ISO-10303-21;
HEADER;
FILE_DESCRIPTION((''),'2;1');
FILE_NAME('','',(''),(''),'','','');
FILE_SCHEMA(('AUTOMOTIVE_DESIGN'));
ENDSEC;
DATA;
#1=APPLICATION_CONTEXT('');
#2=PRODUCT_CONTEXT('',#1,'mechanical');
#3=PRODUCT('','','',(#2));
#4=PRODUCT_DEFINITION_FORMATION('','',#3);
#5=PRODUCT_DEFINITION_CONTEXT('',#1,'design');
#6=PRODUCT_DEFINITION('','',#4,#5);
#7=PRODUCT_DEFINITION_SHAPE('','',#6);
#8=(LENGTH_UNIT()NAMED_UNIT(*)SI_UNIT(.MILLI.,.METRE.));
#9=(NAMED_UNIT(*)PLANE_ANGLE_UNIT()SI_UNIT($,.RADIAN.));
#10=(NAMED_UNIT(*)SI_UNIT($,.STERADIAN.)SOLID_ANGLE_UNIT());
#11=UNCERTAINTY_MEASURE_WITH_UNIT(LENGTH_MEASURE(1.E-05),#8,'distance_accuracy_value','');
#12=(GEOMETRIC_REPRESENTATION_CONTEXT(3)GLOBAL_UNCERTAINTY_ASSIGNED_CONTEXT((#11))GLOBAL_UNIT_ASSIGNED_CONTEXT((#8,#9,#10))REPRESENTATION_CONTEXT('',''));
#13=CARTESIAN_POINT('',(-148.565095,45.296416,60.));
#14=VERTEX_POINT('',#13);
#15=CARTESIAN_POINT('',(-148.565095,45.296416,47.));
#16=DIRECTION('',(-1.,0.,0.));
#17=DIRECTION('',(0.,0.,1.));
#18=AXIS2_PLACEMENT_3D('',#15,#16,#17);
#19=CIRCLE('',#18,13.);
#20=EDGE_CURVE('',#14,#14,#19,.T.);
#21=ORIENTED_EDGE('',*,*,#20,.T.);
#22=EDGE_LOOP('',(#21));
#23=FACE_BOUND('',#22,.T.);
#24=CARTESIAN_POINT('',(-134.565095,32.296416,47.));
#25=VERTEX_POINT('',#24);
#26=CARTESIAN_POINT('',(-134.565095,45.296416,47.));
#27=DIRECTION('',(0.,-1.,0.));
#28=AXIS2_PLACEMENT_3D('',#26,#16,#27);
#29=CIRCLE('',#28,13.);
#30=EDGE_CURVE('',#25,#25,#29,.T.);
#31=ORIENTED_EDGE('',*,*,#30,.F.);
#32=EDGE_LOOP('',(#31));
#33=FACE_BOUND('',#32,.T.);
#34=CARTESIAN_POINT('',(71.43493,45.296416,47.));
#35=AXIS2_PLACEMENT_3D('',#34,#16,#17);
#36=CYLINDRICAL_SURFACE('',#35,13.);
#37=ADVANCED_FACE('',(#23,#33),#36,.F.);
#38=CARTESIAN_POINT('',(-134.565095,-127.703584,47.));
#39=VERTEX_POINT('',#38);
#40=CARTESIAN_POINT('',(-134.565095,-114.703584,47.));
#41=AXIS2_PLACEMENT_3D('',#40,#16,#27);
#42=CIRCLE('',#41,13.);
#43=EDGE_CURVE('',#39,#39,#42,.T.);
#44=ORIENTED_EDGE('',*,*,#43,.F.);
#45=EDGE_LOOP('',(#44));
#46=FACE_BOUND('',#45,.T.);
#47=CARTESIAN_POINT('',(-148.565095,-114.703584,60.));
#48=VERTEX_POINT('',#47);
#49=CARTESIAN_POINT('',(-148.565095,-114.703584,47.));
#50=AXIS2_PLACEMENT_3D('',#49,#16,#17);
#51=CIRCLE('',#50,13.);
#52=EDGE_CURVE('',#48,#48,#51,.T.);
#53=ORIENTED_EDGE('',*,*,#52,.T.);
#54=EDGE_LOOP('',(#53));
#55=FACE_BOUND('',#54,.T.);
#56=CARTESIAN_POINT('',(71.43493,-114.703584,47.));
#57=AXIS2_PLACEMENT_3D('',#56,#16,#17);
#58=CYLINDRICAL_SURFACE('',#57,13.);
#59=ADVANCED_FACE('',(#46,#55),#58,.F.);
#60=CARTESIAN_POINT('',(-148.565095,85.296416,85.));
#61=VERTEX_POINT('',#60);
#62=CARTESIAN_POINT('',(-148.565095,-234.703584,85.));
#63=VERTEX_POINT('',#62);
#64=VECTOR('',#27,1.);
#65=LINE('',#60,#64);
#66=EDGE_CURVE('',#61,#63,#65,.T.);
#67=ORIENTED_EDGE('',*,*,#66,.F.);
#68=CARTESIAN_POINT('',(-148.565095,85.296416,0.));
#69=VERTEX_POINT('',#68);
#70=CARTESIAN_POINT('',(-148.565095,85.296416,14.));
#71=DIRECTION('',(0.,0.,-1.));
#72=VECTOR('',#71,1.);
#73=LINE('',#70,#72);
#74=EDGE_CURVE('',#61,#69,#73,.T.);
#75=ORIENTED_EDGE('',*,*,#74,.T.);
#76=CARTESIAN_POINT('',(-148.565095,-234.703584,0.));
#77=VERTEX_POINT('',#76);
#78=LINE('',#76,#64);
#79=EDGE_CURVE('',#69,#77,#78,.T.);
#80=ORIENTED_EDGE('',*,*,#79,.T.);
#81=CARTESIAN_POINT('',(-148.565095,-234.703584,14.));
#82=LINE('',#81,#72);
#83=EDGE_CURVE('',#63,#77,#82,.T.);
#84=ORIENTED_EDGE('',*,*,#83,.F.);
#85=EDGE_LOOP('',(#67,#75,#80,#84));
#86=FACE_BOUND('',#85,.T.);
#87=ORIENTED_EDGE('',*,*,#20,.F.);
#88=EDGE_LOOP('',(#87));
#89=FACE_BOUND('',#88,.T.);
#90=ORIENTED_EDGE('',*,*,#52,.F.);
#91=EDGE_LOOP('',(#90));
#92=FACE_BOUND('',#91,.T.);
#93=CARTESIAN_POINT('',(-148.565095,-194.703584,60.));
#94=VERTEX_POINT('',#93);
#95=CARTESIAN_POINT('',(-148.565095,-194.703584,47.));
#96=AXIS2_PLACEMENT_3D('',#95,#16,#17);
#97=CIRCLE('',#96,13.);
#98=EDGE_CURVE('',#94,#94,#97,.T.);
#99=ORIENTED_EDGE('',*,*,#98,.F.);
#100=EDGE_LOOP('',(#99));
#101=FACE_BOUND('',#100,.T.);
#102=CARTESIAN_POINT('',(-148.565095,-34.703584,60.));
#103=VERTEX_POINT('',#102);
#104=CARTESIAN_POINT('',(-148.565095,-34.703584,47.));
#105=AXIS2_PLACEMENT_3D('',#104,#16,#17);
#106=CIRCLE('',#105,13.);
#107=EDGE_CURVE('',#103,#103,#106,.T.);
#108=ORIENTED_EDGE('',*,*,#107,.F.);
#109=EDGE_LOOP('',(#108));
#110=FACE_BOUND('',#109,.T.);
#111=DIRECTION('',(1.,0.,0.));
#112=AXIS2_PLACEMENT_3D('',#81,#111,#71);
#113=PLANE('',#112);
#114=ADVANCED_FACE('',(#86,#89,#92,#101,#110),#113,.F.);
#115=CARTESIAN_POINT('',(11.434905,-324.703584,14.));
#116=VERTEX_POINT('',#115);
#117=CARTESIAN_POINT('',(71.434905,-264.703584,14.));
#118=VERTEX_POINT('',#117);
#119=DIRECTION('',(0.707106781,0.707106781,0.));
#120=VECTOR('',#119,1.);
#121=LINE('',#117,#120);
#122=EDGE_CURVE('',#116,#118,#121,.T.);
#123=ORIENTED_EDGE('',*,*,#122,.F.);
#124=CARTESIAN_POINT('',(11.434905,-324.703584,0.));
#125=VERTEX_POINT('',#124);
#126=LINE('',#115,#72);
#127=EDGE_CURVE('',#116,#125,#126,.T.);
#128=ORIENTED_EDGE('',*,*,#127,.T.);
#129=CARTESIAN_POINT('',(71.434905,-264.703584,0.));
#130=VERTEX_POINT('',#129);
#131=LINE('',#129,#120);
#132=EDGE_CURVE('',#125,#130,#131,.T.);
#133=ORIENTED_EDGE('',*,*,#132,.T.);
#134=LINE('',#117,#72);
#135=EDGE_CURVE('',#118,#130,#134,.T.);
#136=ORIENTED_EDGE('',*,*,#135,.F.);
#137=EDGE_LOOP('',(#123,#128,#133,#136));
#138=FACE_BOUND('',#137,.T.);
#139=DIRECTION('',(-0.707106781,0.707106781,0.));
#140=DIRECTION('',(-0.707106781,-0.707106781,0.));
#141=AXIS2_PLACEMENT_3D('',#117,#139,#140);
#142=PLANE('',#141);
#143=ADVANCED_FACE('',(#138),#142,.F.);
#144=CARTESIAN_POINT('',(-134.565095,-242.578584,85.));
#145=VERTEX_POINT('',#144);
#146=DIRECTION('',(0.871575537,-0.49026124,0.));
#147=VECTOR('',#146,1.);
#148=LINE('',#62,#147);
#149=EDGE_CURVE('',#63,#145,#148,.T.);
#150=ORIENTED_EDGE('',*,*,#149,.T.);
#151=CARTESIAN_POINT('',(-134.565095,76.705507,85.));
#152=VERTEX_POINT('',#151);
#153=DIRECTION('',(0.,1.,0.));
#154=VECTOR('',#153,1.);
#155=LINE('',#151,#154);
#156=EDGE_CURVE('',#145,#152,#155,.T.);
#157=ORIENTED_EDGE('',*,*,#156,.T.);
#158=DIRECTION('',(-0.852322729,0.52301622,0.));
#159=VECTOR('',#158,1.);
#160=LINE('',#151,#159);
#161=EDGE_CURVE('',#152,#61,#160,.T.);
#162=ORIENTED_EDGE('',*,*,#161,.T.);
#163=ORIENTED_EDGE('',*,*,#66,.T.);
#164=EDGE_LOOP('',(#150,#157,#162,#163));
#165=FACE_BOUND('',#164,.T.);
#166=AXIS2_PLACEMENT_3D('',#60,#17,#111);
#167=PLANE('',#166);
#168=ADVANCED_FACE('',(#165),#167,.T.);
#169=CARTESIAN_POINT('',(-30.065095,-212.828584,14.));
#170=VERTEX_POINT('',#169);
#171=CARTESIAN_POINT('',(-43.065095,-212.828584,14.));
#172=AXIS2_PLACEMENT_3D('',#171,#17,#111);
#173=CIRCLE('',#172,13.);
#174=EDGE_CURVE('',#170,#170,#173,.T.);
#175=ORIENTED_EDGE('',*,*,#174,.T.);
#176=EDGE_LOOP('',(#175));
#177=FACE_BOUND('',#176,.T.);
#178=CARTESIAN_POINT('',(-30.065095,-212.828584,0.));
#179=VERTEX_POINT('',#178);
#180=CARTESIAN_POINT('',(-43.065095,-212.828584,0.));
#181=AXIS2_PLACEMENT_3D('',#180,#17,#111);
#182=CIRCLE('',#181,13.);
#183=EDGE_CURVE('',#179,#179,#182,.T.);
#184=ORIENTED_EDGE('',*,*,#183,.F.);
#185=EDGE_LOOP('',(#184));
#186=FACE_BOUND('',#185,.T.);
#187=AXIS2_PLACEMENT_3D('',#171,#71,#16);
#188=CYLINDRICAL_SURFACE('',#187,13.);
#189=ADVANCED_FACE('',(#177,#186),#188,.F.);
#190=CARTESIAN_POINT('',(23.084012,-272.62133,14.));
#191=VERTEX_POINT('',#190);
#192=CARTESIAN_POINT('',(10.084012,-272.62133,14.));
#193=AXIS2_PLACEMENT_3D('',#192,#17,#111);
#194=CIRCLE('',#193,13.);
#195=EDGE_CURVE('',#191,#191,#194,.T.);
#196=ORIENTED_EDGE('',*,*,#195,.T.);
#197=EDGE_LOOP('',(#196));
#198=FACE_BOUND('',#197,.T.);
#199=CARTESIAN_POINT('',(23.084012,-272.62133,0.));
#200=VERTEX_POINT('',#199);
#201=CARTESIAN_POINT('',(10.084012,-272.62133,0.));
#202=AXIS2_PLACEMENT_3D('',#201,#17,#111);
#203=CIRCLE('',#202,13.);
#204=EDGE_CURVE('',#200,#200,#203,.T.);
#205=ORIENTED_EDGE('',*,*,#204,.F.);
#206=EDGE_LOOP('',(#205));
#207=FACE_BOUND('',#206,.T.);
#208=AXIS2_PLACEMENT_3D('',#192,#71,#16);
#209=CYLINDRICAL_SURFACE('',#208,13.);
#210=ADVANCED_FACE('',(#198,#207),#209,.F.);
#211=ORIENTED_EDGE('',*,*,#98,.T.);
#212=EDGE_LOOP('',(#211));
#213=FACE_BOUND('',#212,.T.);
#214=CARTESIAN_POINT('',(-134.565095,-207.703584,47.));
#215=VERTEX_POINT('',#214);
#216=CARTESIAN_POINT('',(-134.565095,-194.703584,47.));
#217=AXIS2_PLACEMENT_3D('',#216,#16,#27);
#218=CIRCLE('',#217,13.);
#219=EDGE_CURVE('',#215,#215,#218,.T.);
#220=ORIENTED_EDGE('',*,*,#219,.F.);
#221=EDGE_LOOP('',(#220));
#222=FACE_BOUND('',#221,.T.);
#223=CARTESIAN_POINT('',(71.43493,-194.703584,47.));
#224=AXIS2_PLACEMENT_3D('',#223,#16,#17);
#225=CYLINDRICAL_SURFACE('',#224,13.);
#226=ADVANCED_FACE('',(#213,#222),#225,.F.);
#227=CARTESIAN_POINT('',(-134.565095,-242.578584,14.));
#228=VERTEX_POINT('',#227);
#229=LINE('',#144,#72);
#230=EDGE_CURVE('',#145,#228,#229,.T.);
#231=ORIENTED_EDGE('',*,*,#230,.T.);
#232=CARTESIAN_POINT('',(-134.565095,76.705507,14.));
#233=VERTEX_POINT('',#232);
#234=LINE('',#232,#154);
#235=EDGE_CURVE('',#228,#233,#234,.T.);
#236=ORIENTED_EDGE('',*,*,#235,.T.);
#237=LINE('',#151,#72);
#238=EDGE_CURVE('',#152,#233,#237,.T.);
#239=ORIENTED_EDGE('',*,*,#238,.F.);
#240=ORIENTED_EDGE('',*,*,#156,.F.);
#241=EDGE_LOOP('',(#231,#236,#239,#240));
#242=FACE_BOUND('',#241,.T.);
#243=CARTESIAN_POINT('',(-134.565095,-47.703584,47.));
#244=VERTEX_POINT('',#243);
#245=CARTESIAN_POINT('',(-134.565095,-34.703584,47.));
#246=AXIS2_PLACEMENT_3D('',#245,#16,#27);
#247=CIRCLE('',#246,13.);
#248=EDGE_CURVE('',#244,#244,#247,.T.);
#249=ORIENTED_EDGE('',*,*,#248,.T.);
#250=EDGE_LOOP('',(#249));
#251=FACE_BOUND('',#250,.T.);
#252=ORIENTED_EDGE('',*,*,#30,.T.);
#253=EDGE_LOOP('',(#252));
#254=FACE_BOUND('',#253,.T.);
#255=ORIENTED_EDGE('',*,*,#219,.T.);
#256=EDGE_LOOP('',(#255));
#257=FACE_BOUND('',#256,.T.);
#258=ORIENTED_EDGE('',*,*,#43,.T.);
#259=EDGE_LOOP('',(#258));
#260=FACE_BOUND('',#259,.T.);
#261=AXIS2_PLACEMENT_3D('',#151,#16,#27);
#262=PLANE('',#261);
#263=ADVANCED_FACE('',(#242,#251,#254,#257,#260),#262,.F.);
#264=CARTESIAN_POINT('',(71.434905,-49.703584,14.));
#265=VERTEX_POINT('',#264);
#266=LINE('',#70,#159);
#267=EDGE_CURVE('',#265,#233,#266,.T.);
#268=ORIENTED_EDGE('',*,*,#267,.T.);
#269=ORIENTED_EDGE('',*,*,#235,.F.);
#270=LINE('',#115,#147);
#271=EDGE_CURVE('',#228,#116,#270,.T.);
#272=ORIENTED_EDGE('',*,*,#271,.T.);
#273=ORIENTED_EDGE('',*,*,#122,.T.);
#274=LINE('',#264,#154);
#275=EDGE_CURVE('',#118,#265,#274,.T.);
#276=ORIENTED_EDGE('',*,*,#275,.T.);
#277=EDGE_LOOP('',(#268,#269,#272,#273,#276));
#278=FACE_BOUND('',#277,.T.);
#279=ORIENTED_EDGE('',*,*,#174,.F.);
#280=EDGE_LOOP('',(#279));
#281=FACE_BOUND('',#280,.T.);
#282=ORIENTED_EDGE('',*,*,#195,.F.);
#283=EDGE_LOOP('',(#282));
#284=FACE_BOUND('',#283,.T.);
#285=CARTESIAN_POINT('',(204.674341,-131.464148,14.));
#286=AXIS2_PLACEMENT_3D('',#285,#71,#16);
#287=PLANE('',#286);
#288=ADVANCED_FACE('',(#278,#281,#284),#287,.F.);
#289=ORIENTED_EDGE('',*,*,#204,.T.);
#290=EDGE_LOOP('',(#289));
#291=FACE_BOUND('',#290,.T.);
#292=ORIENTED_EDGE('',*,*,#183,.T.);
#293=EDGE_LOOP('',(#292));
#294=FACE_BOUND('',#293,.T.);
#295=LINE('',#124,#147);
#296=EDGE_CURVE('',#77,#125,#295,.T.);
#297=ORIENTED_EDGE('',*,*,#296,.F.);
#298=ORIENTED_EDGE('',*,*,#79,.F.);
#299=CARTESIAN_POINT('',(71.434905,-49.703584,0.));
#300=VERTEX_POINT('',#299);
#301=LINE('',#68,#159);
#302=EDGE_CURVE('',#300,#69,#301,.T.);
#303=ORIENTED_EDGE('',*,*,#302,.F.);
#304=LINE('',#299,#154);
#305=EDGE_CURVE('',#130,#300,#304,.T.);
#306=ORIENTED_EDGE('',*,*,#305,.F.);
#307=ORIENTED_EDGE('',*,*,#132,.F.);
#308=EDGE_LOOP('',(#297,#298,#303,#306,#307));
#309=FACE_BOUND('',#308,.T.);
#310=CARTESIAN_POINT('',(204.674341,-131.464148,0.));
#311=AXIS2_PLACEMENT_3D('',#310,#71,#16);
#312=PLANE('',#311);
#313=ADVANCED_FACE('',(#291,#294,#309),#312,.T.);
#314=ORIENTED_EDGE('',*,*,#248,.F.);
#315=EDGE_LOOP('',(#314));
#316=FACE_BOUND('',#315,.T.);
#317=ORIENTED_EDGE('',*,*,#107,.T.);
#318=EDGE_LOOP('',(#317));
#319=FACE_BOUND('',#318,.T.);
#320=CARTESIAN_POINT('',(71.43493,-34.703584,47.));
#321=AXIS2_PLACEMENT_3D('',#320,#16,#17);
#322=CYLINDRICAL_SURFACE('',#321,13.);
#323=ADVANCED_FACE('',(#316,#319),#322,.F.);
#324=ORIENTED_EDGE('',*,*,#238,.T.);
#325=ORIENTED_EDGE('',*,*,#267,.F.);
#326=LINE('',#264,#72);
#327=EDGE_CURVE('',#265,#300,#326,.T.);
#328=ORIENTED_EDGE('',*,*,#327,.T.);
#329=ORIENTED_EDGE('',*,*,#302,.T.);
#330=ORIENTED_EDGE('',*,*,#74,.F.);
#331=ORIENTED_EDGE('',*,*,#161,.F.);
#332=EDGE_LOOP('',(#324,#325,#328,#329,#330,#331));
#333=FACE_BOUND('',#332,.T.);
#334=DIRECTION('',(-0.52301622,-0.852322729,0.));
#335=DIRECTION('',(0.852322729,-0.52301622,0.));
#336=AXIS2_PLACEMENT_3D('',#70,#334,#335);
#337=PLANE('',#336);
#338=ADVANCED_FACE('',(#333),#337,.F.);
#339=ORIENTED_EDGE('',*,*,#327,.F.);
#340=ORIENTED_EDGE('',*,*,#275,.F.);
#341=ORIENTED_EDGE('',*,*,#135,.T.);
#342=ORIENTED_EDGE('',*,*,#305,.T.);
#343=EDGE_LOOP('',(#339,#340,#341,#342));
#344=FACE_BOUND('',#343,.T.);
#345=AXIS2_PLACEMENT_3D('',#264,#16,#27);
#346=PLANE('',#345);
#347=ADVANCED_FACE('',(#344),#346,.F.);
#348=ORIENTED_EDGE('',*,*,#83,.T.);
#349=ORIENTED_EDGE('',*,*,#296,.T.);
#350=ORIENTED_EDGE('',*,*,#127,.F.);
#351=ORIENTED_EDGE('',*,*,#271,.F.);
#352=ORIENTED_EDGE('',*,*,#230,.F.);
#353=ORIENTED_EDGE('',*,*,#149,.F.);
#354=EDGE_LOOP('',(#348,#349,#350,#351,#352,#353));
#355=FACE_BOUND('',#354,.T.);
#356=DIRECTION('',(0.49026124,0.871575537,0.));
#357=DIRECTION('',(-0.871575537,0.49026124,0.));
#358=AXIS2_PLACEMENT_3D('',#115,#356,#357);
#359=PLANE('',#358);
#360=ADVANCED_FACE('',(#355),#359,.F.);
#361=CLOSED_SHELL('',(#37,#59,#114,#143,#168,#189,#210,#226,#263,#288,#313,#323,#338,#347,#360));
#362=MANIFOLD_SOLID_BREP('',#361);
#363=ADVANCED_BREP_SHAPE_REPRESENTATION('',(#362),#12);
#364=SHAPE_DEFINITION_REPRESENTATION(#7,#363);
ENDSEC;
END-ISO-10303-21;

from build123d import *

# Parameters (mm, degrees)
SKETCH_1_R             = 13
EXTRUDE_1_DEPTH        = 14
EXTRUDE_2_DEPTH        = 71
SKETCH_3_R             = 13
CUT_EXTRUDE_1_DEPTH    = 402.319595452
PATTERN_LINEAR_1_COUNT = 4
PATTERN_LINEAR_1_PITCH = 80


with BuildPart() as part:
    # 草图1 → 凸台-拉伸1 (new body)
    with BuildSketch(Plane.XY):
        Polygon((71.4349048, -49.703584356), (71.4349048, -264.703584356), (11.4349048, -324.703584356), (-148.5650952, -234.703584356), (-148.5650952, 85.296415644), align=None)
        with Locations((-43.0650952, -212.828584356)):
            Circle(SKETCH_1_R, mode=Mode.SUBTRACT)
        with Locations((10.084011906, -272.621329851)):
            Circle(SKETCH_1_R, mode=Mode.SUBTRACT)
    extrude(amount=EXTRUDE_1_DEPTH)

    # 草图2 → 凸台-拉伸2 (add)
    with BuildSketch(Plane.XY.offset(14)):
        Polygon((-134.5650952, 76.705506553), (-134.5650952, -242.578584356), (-148.5650952, -234.703584356), (-148.5650952, 85.296415644), align=None)
    extrude(amount=EXTRUDE_2_DEPTH)

    # 草图3 → 切除-拉伸1 (cut, through all)
    with BuildSketch(Plane.ZY.offset(148.5650952)):
        with Locations((47, 45.296415644)):
            Circle(SKETCH_3_R)
    cut_extrude_1 = extrude(amount=-CUT_EXTRUDE_1_DEPTH, mode=Mode.SUBTRACT)

    # 阵列(线性)1: 切除-拉伸1 ×4
    with Locations(*[(0, -i * PATTERN_LINEAR_1_PITCH, 0) for i in range(1, PATTERN_LINEAR_1_COUNT)]):
        add(cut_extrude_1, mode=Mode.SUBTRACT)


solid = part.part
